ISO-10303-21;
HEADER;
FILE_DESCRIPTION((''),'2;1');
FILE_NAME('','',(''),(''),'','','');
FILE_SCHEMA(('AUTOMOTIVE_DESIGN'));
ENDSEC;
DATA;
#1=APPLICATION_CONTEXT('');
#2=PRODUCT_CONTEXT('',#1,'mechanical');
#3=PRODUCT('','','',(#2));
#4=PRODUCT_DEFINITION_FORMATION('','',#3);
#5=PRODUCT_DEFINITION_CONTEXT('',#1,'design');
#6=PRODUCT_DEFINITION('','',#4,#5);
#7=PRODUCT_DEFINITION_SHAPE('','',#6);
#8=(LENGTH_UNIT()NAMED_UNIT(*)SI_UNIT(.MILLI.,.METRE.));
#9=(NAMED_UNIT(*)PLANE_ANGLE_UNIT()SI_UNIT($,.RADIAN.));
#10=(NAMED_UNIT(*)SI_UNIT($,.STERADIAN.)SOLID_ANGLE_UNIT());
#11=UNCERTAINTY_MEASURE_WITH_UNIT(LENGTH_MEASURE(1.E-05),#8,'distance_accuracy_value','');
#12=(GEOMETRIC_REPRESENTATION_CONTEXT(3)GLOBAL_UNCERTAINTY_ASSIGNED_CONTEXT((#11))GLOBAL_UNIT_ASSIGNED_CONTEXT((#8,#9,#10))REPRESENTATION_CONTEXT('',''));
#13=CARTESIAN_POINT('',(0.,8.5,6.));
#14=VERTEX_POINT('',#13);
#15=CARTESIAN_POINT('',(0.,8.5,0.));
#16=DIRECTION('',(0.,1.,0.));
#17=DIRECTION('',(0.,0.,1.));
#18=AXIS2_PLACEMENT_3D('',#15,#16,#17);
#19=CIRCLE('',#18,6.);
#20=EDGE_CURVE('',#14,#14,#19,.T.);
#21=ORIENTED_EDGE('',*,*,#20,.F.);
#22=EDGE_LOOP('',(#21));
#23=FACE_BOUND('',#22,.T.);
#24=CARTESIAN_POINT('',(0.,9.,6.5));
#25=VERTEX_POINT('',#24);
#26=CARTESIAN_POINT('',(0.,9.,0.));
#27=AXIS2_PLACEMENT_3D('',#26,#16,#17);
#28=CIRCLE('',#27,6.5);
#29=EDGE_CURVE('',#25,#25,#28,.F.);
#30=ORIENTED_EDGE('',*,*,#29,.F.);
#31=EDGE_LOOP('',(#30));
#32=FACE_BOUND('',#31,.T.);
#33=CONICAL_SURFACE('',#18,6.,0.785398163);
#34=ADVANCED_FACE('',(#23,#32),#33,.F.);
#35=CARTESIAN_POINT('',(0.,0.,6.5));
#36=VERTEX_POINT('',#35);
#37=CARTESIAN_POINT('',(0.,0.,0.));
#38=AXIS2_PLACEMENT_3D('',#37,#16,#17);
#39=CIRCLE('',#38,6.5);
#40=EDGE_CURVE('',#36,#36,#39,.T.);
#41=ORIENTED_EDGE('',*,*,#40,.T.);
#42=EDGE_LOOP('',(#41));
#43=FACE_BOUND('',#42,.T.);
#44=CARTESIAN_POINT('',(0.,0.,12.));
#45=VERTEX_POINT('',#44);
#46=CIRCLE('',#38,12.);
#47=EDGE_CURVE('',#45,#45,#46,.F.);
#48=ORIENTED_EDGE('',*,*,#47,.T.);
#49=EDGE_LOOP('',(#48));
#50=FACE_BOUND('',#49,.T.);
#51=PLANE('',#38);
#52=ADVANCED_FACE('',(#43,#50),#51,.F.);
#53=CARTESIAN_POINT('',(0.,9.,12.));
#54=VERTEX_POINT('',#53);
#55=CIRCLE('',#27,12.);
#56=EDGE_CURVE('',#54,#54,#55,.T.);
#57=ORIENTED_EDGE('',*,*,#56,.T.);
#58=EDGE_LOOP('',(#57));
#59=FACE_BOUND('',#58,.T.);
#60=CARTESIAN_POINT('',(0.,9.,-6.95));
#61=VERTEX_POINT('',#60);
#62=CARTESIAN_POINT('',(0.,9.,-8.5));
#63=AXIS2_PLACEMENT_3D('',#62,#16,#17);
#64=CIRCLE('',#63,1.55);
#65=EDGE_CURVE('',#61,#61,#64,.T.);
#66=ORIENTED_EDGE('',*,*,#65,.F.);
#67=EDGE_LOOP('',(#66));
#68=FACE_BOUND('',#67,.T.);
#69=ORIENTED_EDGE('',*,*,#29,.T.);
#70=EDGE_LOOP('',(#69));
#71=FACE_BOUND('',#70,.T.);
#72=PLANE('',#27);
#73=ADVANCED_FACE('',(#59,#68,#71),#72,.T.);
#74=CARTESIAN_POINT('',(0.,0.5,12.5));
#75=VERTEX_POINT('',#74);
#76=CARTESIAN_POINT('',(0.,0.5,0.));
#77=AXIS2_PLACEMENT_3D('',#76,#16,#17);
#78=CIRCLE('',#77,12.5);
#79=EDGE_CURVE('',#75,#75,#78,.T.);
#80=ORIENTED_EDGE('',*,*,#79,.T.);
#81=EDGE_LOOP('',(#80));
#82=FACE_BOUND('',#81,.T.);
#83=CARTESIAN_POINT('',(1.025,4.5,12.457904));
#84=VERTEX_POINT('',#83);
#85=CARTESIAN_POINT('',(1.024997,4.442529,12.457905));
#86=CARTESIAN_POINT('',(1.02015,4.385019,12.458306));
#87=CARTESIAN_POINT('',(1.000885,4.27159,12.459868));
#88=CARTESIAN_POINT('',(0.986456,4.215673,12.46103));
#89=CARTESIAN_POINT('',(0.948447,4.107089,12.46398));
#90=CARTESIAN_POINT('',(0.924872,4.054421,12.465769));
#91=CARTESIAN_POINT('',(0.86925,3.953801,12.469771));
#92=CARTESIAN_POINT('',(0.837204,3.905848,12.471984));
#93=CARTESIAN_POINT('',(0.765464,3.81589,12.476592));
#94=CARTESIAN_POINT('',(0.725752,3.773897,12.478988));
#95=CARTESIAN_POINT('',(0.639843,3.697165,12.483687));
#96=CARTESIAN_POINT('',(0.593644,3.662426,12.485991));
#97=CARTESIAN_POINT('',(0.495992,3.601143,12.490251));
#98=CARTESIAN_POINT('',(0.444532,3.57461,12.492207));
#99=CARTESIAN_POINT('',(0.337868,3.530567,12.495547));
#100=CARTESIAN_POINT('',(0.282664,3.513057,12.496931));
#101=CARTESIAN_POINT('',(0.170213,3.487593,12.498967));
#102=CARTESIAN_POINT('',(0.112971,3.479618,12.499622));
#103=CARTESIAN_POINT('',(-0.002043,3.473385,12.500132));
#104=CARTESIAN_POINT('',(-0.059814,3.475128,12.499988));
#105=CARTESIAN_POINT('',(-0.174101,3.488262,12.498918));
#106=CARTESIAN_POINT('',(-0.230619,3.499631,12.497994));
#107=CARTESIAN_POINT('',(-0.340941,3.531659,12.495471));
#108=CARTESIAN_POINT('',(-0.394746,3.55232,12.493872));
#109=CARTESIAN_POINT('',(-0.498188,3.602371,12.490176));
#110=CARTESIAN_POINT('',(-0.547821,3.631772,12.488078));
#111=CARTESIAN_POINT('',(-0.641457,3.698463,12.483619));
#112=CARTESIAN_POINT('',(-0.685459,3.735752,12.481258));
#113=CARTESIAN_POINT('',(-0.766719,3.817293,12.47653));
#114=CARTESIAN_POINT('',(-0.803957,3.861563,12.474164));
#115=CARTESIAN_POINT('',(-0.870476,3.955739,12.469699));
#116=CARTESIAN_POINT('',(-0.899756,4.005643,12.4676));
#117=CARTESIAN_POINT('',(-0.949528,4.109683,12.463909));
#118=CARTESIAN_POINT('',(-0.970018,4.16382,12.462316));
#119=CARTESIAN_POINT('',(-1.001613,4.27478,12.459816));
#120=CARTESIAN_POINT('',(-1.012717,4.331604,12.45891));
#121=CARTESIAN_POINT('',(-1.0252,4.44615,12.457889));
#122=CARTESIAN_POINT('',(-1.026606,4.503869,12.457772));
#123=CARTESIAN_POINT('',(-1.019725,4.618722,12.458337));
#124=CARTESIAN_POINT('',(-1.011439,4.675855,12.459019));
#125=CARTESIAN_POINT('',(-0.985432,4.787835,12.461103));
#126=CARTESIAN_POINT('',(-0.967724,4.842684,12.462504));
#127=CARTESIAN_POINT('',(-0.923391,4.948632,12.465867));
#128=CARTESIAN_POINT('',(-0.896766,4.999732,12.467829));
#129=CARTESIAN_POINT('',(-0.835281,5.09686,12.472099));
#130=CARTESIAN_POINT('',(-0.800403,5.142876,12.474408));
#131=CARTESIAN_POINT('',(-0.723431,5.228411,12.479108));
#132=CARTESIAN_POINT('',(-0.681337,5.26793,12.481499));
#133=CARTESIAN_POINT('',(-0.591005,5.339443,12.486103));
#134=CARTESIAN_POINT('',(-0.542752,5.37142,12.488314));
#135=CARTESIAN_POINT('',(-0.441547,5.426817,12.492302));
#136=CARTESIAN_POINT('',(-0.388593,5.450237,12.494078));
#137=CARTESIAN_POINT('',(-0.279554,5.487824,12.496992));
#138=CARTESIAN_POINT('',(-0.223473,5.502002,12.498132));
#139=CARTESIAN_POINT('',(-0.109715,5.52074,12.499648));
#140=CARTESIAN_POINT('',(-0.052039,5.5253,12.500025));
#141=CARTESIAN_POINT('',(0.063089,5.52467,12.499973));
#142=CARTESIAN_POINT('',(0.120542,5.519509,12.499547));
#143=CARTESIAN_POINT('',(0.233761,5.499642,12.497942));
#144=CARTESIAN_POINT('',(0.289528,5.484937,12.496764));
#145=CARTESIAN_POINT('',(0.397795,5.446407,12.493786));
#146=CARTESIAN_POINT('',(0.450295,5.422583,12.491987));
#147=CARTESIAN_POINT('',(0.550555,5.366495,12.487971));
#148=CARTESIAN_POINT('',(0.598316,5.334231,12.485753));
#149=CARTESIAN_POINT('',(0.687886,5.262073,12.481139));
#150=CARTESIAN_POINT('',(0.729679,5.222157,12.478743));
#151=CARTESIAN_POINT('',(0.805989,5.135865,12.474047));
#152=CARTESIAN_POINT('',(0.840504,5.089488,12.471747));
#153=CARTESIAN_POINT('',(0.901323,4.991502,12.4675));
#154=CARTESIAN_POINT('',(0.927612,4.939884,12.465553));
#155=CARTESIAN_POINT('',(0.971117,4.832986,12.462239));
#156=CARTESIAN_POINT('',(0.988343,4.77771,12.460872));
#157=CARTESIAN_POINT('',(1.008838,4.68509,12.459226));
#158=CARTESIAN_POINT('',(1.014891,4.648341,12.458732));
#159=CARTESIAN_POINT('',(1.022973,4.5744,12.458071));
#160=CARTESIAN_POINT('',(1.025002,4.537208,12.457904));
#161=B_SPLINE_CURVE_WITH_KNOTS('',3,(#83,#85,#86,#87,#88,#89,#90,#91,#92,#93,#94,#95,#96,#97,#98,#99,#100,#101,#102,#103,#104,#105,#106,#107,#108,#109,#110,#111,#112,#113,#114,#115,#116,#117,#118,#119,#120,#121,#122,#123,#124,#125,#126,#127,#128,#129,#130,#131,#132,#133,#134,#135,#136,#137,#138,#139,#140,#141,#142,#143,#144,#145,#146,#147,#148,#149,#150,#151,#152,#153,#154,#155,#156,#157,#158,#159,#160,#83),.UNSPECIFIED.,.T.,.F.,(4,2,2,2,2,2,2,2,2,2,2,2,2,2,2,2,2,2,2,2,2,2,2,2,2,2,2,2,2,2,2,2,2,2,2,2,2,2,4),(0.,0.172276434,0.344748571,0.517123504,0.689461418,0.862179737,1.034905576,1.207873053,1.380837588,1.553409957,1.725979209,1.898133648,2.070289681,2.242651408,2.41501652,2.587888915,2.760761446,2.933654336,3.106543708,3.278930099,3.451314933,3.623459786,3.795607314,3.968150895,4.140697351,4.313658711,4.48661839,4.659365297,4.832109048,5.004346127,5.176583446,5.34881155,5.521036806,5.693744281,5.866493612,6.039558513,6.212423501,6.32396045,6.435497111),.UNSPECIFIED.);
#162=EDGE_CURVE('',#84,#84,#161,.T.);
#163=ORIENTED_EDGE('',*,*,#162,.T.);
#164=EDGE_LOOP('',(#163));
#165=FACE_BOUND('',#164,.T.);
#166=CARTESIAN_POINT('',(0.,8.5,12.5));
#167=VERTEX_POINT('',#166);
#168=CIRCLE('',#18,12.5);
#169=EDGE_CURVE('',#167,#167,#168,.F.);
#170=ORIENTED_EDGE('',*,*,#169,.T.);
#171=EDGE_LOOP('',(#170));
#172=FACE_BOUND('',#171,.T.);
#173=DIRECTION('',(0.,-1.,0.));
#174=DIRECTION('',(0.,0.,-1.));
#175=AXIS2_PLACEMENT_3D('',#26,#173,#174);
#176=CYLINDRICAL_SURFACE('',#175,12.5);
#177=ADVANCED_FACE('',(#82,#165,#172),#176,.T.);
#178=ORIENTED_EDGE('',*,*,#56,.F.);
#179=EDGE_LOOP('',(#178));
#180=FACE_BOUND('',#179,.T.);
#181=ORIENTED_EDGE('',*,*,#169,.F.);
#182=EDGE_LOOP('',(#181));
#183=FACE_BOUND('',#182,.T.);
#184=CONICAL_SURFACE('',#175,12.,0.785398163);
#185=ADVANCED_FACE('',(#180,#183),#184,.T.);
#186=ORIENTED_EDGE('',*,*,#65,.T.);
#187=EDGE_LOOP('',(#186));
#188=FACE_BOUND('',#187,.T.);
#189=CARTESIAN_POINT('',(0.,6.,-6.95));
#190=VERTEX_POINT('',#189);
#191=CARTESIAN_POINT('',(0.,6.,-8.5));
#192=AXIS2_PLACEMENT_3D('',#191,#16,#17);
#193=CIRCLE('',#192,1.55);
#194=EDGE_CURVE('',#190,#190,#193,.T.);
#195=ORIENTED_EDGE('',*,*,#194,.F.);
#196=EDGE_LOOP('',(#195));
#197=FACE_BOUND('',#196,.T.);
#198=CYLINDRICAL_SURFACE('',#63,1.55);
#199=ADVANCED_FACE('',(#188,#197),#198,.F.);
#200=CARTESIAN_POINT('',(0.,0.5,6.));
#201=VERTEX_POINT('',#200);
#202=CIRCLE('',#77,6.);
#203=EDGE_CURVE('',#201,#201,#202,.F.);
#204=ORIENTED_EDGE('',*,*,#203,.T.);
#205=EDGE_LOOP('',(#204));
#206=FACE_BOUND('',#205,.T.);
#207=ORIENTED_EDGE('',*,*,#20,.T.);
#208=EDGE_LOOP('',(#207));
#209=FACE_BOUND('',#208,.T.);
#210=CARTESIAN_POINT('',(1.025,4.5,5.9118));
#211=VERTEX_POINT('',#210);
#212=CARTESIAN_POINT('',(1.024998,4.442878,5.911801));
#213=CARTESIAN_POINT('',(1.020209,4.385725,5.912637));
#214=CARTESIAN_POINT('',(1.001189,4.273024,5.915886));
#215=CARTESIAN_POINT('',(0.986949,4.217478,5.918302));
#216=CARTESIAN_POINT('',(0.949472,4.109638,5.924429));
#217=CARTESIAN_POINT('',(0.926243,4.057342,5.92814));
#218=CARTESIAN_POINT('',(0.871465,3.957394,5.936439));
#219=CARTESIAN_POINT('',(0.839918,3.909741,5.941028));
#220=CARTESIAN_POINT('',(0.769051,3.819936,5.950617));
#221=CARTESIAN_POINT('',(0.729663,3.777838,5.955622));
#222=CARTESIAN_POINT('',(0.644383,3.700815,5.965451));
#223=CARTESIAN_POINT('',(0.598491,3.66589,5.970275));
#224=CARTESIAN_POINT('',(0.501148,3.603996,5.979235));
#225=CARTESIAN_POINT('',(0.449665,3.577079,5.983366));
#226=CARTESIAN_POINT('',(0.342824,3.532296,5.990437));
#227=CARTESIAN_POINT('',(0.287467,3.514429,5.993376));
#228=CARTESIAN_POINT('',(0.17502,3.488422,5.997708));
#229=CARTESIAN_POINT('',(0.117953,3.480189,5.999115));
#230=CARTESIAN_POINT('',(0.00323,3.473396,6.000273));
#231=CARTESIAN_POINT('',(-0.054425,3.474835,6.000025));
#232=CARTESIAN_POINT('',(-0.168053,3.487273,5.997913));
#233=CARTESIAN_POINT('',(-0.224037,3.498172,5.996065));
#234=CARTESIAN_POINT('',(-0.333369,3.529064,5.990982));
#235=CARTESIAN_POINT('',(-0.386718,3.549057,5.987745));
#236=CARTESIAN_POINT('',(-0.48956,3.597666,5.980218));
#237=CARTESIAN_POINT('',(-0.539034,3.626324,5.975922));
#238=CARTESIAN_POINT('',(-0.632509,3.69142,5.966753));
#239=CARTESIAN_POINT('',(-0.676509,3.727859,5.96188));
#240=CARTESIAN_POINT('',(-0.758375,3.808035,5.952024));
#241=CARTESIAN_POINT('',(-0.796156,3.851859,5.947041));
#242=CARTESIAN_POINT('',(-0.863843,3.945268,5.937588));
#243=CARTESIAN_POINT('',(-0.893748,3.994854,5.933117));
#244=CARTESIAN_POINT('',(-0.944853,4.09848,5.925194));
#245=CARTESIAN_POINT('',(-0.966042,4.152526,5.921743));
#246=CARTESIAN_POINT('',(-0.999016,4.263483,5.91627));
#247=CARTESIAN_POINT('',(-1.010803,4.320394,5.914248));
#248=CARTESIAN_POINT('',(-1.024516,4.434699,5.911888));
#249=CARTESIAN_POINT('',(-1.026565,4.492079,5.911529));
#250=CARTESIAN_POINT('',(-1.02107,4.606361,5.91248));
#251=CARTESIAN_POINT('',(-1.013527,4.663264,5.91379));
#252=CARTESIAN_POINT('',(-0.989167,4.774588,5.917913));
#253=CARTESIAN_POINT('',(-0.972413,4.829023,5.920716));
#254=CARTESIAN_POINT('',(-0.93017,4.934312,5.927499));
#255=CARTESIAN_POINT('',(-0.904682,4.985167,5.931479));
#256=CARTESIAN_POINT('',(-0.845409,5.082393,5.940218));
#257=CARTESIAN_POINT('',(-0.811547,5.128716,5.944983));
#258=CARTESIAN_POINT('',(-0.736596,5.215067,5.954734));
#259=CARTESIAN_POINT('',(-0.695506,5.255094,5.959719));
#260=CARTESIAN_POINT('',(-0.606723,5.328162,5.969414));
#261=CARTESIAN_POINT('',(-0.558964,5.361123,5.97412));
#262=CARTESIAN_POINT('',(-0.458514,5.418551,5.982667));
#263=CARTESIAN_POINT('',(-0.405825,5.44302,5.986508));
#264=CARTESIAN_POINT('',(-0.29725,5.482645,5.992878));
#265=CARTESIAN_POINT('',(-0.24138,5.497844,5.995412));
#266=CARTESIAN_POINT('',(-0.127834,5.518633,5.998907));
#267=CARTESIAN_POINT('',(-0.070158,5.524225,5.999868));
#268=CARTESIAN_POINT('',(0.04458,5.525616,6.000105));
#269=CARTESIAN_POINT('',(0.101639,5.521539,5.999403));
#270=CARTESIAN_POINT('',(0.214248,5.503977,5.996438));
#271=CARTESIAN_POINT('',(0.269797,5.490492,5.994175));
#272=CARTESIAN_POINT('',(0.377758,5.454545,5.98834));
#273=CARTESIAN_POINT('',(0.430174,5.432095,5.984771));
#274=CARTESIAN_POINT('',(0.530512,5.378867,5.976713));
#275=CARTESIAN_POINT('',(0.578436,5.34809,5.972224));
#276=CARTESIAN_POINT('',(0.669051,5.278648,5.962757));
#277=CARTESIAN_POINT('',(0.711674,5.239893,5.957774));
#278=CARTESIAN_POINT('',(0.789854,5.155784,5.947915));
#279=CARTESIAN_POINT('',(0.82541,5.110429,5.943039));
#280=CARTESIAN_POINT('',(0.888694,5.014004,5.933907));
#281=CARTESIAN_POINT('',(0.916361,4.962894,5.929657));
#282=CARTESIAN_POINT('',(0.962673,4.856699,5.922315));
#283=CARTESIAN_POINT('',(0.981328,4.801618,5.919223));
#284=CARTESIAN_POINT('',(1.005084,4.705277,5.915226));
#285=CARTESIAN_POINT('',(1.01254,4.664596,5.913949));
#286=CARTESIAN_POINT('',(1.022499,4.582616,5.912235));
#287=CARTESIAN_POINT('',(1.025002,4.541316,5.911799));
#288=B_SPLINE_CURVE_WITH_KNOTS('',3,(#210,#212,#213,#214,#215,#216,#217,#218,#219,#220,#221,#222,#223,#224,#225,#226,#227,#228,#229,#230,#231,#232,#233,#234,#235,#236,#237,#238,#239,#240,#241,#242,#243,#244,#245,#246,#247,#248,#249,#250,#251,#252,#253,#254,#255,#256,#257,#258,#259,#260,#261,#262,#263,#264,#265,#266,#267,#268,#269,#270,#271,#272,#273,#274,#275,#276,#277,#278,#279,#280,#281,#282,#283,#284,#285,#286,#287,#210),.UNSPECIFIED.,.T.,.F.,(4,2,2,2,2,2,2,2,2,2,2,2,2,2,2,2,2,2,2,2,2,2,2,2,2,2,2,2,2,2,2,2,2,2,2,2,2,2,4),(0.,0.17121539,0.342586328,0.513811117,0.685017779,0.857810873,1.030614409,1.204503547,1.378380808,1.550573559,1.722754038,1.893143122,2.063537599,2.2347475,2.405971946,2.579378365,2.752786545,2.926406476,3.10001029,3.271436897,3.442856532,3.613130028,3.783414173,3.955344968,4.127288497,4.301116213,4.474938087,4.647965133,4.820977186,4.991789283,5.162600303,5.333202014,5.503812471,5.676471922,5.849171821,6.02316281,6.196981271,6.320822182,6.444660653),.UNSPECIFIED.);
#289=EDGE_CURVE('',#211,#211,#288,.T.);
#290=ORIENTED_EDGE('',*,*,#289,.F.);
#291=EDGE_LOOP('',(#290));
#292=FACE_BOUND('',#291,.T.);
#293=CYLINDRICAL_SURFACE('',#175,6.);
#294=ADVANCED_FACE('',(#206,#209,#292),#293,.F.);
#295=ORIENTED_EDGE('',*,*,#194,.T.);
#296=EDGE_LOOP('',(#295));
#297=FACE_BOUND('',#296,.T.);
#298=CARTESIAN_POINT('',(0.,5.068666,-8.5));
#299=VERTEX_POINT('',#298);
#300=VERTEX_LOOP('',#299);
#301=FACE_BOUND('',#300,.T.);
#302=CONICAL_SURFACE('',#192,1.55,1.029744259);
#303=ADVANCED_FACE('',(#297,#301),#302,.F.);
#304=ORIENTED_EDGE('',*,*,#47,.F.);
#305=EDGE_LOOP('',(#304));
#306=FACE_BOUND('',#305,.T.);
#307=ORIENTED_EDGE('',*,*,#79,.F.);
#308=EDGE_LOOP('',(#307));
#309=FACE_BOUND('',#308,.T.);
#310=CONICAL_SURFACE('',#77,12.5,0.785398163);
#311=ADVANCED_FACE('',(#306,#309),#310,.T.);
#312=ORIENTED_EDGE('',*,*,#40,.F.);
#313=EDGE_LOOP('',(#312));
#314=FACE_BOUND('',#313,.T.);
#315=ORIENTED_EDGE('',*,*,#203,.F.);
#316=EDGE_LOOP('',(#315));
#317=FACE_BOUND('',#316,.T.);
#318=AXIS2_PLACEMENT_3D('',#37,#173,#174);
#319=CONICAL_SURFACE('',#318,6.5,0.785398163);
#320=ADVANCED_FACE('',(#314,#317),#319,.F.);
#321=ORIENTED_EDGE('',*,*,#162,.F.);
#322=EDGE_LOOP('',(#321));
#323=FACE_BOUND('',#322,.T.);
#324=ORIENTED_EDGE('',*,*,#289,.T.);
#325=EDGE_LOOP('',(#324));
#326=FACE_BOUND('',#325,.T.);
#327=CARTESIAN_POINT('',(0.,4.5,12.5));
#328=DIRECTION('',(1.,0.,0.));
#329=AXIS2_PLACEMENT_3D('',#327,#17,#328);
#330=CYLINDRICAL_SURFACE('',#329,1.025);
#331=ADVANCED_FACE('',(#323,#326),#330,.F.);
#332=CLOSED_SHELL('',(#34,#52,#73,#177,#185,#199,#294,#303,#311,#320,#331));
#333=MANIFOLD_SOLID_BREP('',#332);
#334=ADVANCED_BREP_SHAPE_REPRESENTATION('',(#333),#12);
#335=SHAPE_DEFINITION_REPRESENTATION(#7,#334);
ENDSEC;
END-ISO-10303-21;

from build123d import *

# Parameters (mm, degrees)
SKETCH1_R                      = 12.5
SKETCH1_R_2                    = 6
BOSS_EXTRUDE1_DEPTH            = 9
CHAMFER1_SIZE                  = 0.5
M2_5X0_45_TAPPED_HOLE1_REACH   = 31.364
M2_5X0_45_TAPPED_HOLE1_BORE_R  = 1.025
F_3_1_3_1_DIAMETER_HOLE1_D     = 3.1
F_3_1_3_1_DIAMETER_HOLE1_DEPTH = 3
F_3_1_3_1_DIAMETER_HOLE1_TIP   = 0.931333959


with BuildPart() as part:
    # Sketch1 → Boss-Extrude1 (new body)
    with BuildSketch(Plane(origin=(0, 0, 0), x_dir=(1, 0, 0), z_dir=(0, 1, 0))):
        with Locations(Location((0, 0, 0), (0, 0, 270))):
            Circle(SKETCH1_R)
        with Locations(Location((0, 0, 0), (0, 0, 270))):
            Circle(SKETCH1_R_2, mode=Mode.SUBTRACT)
    extrude(amount=BOSS_EXTRUDE1_DEPTH)

    # Chamfer1
    chamfer1_edges = [part.edges().sort_by_distance(p)[0] for p in [
        (0, 0, -12.5),
        (0, 9, -12.5),
        (0, 0, -6),
        (0, 9, -6),
    ]]
    chamfer(chamfer1_edges, length=CHAMFER1_SIZE)

    # M2.5x0.45 Tapped Hole1 bore → M2.5x0.45 Tapped Hole1 (cut, up to next)
    with BuildSketch(Plane.XY.offset(12.5), mode=Mode.PRIVATE) as m2_5x0_45_tapped_hole1_sk1:
        with Locations((0, 4.5)):
            Circle(M2_5X0_45_TAPPED_HOLE1_BORE_R)
    m2_5x0_45_tapped_hole1_tool1 = extrude(m2_5x0_45_tapped_hole1_sk1.sketch, amount=-M2_5X0_45_TAPPED_HOLE1_REACH, mode=Mode.PRIVATE) & part.part
    add(m2_5x0_45_tapped_hole1_tool1.solids().sort_by_distance((0, 4.5, 12.5))[0], mode=Mode.SUBTRACT)

    # Ø3.1 (3.1) Diameter Hole1
    with Locations(Plane(origin=(0, 9, 0), x_dir=(1, 0, 0), z_dir=(0, 1, 0))):
        with Locations((0, 8.5)):
            Hole(F_3_1_3_1_DIAMETER_HOLE1_D / 2, depth=F_3_1_3_1_DIAMETER_HOLE1_DEPTH)
            with Locations((0, 0, -(F_3_1_3_1_DIAMETER_HOLE1_DEPTH + F_3_1_3_1_DIAMETER_HOLE1_TIP / 2))):  # 118° drill point
                Cone(0, F_3_1_3_1_DIAMETER_HOLE1_D / 2, F_3_1_3_1_DIAMETER_HOLE1_TIP, mode=Mode.SUBTRACT)


solid = part.part
